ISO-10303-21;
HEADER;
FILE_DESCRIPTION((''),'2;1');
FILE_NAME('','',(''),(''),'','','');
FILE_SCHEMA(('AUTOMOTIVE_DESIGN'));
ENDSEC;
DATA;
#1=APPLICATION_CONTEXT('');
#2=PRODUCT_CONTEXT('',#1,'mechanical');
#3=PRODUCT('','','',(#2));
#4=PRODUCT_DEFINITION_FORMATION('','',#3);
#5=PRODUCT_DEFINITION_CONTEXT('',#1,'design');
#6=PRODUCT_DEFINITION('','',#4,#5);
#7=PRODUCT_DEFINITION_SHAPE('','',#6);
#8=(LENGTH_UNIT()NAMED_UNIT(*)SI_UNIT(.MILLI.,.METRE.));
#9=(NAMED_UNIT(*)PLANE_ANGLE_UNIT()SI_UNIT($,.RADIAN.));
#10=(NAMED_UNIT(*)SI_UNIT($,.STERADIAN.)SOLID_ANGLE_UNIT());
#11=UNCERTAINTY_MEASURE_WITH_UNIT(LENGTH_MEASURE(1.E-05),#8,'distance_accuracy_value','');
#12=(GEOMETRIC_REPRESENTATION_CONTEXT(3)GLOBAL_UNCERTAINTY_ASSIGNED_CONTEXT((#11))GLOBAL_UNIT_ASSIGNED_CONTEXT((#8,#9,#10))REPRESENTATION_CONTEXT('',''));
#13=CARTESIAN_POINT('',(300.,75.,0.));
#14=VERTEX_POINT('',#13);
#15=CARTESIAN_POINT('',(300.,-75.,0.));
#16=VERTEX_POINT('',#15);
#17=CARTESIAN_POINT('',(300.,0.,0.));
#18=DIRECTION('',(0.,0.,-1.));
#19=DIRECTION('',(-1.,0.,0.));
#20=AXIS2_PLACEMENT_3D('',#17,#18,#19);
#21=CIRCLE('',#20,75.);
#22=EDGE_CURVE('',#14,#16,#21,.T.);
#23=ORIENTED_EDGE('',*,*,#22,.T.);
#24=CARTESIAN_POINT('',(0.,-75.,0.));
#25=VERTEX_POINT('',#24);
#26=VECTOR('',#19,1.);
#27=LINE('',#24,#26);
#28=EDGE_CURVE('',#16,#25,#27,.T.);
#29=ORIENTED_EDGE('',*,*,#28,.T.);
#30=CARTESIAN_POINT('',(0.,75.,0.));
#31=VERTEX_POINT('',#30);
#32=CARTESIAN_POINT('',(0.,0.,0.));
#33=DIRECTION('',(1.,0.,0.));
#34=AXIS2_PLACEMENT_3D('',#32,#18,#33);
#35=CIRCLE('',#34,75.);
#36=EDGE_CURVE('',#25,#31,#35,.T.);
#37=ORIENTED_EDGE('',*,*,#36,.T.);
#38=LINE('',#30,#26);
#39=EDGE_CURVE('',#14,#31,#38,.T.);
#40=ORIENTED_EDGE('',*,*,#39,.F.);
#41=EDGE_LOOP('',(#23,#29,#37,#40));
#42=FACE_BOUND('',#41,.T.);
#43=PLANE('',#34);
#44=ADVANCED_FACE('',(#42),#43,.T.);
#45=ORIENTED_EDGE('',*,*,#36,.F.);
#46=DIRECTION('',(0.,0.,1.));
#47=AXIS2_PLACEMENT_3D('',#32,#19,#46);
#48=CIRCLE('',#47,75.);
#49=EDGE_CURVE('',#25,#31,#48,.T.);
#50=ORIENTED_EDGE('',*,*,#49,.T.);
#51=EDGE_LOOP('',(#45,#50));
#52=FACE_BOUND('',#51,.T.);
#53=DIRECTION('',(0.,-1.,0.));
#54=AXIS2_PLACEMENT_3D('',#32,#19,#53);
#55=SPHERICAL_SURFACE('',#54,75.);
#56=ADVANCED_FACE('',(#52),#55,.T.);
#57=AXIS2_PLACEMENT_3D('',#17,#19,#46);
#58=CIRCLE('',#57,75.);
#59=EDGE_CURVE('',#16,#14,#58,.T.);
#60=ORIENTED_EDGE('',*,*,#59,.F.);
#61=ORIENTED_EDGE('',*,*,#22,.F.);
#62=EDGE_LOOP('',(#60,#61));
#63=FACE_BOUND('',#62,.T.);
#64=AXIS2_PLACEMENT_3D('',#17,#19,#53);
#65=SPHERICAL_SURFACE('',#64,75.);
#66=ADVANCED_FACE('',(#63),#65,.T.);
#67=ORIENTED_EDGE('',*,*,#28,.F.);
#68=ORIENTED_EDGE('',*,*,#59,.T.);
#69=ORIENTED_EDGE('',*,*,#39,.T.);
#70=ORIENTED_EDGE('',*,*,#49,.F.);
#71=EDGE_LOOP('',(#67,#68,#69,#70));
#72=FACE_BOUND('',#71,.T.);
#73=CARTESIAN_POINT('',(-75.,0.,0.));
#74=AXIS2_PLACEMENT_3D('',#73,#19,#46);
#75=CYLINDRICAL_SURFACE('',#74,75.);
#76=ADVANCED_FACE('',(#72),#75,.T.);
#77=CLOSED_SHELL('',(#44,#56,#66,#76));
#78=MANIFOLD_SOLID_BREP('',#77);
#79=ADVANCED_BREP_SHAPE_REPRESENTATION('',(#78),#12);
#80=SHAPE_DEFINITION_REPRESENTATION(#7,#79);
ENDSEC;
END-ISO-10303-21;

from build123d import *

# Parameters (mm, degrees)
REVOLVE1_ANGLE = 180


with BuildPart() as part:
    # Sketch1 → Revolve1 (revolve)
    with BuildSketch(Plane.XY):
        with BuildLine():
            Line((-75, 0), (375, 0))
            ThreePointArc((375, 0), (353.033008589, 53.033008589), (300, 75))
            Line((300, 75), (0, 75))
            ThreePointArc((0, 75), (-53.033008589, 53.033008589), (-75, 0))
        make_face()
    revolve(axis=Axis((-75, 0, 0), (1, 0, 0)), revolution_arc=REVOLVE1_ANGLE)


solid = part.part
